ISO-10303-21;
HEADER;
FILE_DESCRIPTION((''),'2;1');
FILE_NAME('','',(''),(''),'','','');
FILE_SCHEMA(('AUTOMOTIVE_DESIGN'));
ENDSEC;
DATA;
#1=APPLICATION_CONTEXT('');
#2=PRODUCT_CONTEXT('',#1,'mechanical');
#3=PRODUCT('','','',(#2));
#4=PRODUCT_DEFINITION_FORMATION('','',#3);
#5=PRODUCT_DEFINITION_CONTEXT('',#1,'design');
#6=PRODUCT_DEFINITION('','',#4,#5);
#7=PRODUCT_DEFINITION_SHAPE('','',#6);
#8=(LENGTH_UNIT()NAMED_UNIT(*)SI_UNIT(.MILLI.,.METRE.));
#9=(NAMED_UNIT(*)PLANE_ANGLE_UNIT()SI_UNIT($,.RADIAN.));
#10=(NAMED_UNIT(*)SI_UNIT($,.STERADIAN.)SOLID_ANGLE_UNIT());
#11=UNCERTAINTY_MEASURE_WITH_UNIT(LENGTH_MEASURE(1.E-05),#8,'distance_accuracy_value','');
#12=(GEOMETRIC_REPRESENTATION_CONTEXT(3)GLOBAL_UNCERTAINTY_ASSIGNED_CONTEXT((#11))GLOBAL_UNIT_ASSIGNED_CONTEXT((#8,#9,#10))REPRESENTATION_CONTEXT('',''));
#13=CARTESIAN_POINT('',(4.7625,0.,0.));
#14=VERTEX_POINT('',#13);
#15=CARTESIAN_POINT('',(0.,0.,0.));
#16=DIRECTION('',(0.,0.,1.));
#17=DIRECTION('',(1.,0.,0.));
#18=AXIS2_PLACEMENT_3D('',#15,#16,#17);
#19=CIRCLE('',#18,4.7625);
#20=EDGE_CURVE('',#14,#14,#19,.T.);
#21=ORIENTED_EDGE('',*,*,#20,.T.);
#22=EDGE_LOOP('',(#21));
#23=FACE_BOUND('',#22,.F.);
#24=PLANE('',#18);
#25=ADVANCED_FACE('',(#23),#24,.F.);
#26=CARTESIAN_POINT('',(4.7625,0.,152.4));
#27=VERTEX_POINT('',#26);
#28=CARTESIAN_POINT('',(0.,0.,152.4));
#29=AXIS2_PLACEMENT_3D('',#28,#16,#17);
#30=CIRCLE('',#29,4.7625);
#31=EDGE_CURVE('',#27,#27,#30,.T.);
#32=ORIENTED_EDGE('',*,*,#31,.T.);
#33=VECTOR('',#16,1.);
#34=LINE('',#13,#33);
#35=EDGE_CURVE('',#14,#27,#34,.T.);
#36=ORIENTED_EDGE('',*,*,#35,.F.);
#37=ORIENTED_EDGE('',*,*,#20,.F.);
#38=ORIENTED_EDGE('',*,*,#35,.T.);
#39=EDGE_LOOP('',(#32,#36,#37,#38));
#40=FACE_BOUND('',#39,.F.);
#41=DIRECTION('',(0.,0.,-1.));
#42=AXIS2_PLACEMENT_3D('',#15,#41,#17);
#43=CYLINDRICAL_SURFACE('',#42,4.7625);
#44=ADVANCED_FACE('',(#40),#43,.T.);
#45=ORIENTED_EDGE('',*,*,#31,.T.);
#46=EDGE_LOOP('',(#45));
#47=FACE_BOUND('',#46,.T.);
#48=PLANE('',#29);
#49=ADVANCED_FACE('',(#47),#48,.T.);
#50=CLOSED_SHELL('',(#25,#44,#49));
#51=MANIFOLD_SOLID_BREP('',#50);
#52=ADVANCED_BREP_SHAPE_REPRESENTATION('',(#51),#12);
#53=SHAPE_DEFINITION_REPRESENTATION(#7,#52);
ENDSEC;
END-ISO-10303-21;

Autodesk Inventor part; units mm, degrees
ref_plane "YZ Plane" through (0, 0, 0) normal (1, 0, 0) x (0, 1, 0)
ref_plane "XZ Plane" through (0, 0, 0) normal (0, 1, 0) x (-1, 0, 0)
ref_plane "XY Plane" through (0, 0, 0) normal (0, 0, 1) x (1, 0, 0)
sketch "Sketch1" plane through (0, 0, 0) normal (0, 0, 1) x (1, 0, 0)
  circle A0 centre (0, 0) radius 4.7625
  dimension "d0" = 9.525
  dimension "d0" = 9.525
extrude "Extrusion1" add sketch "Sketch1" along normal blind 152.4
properties part number "DriveAxle"
